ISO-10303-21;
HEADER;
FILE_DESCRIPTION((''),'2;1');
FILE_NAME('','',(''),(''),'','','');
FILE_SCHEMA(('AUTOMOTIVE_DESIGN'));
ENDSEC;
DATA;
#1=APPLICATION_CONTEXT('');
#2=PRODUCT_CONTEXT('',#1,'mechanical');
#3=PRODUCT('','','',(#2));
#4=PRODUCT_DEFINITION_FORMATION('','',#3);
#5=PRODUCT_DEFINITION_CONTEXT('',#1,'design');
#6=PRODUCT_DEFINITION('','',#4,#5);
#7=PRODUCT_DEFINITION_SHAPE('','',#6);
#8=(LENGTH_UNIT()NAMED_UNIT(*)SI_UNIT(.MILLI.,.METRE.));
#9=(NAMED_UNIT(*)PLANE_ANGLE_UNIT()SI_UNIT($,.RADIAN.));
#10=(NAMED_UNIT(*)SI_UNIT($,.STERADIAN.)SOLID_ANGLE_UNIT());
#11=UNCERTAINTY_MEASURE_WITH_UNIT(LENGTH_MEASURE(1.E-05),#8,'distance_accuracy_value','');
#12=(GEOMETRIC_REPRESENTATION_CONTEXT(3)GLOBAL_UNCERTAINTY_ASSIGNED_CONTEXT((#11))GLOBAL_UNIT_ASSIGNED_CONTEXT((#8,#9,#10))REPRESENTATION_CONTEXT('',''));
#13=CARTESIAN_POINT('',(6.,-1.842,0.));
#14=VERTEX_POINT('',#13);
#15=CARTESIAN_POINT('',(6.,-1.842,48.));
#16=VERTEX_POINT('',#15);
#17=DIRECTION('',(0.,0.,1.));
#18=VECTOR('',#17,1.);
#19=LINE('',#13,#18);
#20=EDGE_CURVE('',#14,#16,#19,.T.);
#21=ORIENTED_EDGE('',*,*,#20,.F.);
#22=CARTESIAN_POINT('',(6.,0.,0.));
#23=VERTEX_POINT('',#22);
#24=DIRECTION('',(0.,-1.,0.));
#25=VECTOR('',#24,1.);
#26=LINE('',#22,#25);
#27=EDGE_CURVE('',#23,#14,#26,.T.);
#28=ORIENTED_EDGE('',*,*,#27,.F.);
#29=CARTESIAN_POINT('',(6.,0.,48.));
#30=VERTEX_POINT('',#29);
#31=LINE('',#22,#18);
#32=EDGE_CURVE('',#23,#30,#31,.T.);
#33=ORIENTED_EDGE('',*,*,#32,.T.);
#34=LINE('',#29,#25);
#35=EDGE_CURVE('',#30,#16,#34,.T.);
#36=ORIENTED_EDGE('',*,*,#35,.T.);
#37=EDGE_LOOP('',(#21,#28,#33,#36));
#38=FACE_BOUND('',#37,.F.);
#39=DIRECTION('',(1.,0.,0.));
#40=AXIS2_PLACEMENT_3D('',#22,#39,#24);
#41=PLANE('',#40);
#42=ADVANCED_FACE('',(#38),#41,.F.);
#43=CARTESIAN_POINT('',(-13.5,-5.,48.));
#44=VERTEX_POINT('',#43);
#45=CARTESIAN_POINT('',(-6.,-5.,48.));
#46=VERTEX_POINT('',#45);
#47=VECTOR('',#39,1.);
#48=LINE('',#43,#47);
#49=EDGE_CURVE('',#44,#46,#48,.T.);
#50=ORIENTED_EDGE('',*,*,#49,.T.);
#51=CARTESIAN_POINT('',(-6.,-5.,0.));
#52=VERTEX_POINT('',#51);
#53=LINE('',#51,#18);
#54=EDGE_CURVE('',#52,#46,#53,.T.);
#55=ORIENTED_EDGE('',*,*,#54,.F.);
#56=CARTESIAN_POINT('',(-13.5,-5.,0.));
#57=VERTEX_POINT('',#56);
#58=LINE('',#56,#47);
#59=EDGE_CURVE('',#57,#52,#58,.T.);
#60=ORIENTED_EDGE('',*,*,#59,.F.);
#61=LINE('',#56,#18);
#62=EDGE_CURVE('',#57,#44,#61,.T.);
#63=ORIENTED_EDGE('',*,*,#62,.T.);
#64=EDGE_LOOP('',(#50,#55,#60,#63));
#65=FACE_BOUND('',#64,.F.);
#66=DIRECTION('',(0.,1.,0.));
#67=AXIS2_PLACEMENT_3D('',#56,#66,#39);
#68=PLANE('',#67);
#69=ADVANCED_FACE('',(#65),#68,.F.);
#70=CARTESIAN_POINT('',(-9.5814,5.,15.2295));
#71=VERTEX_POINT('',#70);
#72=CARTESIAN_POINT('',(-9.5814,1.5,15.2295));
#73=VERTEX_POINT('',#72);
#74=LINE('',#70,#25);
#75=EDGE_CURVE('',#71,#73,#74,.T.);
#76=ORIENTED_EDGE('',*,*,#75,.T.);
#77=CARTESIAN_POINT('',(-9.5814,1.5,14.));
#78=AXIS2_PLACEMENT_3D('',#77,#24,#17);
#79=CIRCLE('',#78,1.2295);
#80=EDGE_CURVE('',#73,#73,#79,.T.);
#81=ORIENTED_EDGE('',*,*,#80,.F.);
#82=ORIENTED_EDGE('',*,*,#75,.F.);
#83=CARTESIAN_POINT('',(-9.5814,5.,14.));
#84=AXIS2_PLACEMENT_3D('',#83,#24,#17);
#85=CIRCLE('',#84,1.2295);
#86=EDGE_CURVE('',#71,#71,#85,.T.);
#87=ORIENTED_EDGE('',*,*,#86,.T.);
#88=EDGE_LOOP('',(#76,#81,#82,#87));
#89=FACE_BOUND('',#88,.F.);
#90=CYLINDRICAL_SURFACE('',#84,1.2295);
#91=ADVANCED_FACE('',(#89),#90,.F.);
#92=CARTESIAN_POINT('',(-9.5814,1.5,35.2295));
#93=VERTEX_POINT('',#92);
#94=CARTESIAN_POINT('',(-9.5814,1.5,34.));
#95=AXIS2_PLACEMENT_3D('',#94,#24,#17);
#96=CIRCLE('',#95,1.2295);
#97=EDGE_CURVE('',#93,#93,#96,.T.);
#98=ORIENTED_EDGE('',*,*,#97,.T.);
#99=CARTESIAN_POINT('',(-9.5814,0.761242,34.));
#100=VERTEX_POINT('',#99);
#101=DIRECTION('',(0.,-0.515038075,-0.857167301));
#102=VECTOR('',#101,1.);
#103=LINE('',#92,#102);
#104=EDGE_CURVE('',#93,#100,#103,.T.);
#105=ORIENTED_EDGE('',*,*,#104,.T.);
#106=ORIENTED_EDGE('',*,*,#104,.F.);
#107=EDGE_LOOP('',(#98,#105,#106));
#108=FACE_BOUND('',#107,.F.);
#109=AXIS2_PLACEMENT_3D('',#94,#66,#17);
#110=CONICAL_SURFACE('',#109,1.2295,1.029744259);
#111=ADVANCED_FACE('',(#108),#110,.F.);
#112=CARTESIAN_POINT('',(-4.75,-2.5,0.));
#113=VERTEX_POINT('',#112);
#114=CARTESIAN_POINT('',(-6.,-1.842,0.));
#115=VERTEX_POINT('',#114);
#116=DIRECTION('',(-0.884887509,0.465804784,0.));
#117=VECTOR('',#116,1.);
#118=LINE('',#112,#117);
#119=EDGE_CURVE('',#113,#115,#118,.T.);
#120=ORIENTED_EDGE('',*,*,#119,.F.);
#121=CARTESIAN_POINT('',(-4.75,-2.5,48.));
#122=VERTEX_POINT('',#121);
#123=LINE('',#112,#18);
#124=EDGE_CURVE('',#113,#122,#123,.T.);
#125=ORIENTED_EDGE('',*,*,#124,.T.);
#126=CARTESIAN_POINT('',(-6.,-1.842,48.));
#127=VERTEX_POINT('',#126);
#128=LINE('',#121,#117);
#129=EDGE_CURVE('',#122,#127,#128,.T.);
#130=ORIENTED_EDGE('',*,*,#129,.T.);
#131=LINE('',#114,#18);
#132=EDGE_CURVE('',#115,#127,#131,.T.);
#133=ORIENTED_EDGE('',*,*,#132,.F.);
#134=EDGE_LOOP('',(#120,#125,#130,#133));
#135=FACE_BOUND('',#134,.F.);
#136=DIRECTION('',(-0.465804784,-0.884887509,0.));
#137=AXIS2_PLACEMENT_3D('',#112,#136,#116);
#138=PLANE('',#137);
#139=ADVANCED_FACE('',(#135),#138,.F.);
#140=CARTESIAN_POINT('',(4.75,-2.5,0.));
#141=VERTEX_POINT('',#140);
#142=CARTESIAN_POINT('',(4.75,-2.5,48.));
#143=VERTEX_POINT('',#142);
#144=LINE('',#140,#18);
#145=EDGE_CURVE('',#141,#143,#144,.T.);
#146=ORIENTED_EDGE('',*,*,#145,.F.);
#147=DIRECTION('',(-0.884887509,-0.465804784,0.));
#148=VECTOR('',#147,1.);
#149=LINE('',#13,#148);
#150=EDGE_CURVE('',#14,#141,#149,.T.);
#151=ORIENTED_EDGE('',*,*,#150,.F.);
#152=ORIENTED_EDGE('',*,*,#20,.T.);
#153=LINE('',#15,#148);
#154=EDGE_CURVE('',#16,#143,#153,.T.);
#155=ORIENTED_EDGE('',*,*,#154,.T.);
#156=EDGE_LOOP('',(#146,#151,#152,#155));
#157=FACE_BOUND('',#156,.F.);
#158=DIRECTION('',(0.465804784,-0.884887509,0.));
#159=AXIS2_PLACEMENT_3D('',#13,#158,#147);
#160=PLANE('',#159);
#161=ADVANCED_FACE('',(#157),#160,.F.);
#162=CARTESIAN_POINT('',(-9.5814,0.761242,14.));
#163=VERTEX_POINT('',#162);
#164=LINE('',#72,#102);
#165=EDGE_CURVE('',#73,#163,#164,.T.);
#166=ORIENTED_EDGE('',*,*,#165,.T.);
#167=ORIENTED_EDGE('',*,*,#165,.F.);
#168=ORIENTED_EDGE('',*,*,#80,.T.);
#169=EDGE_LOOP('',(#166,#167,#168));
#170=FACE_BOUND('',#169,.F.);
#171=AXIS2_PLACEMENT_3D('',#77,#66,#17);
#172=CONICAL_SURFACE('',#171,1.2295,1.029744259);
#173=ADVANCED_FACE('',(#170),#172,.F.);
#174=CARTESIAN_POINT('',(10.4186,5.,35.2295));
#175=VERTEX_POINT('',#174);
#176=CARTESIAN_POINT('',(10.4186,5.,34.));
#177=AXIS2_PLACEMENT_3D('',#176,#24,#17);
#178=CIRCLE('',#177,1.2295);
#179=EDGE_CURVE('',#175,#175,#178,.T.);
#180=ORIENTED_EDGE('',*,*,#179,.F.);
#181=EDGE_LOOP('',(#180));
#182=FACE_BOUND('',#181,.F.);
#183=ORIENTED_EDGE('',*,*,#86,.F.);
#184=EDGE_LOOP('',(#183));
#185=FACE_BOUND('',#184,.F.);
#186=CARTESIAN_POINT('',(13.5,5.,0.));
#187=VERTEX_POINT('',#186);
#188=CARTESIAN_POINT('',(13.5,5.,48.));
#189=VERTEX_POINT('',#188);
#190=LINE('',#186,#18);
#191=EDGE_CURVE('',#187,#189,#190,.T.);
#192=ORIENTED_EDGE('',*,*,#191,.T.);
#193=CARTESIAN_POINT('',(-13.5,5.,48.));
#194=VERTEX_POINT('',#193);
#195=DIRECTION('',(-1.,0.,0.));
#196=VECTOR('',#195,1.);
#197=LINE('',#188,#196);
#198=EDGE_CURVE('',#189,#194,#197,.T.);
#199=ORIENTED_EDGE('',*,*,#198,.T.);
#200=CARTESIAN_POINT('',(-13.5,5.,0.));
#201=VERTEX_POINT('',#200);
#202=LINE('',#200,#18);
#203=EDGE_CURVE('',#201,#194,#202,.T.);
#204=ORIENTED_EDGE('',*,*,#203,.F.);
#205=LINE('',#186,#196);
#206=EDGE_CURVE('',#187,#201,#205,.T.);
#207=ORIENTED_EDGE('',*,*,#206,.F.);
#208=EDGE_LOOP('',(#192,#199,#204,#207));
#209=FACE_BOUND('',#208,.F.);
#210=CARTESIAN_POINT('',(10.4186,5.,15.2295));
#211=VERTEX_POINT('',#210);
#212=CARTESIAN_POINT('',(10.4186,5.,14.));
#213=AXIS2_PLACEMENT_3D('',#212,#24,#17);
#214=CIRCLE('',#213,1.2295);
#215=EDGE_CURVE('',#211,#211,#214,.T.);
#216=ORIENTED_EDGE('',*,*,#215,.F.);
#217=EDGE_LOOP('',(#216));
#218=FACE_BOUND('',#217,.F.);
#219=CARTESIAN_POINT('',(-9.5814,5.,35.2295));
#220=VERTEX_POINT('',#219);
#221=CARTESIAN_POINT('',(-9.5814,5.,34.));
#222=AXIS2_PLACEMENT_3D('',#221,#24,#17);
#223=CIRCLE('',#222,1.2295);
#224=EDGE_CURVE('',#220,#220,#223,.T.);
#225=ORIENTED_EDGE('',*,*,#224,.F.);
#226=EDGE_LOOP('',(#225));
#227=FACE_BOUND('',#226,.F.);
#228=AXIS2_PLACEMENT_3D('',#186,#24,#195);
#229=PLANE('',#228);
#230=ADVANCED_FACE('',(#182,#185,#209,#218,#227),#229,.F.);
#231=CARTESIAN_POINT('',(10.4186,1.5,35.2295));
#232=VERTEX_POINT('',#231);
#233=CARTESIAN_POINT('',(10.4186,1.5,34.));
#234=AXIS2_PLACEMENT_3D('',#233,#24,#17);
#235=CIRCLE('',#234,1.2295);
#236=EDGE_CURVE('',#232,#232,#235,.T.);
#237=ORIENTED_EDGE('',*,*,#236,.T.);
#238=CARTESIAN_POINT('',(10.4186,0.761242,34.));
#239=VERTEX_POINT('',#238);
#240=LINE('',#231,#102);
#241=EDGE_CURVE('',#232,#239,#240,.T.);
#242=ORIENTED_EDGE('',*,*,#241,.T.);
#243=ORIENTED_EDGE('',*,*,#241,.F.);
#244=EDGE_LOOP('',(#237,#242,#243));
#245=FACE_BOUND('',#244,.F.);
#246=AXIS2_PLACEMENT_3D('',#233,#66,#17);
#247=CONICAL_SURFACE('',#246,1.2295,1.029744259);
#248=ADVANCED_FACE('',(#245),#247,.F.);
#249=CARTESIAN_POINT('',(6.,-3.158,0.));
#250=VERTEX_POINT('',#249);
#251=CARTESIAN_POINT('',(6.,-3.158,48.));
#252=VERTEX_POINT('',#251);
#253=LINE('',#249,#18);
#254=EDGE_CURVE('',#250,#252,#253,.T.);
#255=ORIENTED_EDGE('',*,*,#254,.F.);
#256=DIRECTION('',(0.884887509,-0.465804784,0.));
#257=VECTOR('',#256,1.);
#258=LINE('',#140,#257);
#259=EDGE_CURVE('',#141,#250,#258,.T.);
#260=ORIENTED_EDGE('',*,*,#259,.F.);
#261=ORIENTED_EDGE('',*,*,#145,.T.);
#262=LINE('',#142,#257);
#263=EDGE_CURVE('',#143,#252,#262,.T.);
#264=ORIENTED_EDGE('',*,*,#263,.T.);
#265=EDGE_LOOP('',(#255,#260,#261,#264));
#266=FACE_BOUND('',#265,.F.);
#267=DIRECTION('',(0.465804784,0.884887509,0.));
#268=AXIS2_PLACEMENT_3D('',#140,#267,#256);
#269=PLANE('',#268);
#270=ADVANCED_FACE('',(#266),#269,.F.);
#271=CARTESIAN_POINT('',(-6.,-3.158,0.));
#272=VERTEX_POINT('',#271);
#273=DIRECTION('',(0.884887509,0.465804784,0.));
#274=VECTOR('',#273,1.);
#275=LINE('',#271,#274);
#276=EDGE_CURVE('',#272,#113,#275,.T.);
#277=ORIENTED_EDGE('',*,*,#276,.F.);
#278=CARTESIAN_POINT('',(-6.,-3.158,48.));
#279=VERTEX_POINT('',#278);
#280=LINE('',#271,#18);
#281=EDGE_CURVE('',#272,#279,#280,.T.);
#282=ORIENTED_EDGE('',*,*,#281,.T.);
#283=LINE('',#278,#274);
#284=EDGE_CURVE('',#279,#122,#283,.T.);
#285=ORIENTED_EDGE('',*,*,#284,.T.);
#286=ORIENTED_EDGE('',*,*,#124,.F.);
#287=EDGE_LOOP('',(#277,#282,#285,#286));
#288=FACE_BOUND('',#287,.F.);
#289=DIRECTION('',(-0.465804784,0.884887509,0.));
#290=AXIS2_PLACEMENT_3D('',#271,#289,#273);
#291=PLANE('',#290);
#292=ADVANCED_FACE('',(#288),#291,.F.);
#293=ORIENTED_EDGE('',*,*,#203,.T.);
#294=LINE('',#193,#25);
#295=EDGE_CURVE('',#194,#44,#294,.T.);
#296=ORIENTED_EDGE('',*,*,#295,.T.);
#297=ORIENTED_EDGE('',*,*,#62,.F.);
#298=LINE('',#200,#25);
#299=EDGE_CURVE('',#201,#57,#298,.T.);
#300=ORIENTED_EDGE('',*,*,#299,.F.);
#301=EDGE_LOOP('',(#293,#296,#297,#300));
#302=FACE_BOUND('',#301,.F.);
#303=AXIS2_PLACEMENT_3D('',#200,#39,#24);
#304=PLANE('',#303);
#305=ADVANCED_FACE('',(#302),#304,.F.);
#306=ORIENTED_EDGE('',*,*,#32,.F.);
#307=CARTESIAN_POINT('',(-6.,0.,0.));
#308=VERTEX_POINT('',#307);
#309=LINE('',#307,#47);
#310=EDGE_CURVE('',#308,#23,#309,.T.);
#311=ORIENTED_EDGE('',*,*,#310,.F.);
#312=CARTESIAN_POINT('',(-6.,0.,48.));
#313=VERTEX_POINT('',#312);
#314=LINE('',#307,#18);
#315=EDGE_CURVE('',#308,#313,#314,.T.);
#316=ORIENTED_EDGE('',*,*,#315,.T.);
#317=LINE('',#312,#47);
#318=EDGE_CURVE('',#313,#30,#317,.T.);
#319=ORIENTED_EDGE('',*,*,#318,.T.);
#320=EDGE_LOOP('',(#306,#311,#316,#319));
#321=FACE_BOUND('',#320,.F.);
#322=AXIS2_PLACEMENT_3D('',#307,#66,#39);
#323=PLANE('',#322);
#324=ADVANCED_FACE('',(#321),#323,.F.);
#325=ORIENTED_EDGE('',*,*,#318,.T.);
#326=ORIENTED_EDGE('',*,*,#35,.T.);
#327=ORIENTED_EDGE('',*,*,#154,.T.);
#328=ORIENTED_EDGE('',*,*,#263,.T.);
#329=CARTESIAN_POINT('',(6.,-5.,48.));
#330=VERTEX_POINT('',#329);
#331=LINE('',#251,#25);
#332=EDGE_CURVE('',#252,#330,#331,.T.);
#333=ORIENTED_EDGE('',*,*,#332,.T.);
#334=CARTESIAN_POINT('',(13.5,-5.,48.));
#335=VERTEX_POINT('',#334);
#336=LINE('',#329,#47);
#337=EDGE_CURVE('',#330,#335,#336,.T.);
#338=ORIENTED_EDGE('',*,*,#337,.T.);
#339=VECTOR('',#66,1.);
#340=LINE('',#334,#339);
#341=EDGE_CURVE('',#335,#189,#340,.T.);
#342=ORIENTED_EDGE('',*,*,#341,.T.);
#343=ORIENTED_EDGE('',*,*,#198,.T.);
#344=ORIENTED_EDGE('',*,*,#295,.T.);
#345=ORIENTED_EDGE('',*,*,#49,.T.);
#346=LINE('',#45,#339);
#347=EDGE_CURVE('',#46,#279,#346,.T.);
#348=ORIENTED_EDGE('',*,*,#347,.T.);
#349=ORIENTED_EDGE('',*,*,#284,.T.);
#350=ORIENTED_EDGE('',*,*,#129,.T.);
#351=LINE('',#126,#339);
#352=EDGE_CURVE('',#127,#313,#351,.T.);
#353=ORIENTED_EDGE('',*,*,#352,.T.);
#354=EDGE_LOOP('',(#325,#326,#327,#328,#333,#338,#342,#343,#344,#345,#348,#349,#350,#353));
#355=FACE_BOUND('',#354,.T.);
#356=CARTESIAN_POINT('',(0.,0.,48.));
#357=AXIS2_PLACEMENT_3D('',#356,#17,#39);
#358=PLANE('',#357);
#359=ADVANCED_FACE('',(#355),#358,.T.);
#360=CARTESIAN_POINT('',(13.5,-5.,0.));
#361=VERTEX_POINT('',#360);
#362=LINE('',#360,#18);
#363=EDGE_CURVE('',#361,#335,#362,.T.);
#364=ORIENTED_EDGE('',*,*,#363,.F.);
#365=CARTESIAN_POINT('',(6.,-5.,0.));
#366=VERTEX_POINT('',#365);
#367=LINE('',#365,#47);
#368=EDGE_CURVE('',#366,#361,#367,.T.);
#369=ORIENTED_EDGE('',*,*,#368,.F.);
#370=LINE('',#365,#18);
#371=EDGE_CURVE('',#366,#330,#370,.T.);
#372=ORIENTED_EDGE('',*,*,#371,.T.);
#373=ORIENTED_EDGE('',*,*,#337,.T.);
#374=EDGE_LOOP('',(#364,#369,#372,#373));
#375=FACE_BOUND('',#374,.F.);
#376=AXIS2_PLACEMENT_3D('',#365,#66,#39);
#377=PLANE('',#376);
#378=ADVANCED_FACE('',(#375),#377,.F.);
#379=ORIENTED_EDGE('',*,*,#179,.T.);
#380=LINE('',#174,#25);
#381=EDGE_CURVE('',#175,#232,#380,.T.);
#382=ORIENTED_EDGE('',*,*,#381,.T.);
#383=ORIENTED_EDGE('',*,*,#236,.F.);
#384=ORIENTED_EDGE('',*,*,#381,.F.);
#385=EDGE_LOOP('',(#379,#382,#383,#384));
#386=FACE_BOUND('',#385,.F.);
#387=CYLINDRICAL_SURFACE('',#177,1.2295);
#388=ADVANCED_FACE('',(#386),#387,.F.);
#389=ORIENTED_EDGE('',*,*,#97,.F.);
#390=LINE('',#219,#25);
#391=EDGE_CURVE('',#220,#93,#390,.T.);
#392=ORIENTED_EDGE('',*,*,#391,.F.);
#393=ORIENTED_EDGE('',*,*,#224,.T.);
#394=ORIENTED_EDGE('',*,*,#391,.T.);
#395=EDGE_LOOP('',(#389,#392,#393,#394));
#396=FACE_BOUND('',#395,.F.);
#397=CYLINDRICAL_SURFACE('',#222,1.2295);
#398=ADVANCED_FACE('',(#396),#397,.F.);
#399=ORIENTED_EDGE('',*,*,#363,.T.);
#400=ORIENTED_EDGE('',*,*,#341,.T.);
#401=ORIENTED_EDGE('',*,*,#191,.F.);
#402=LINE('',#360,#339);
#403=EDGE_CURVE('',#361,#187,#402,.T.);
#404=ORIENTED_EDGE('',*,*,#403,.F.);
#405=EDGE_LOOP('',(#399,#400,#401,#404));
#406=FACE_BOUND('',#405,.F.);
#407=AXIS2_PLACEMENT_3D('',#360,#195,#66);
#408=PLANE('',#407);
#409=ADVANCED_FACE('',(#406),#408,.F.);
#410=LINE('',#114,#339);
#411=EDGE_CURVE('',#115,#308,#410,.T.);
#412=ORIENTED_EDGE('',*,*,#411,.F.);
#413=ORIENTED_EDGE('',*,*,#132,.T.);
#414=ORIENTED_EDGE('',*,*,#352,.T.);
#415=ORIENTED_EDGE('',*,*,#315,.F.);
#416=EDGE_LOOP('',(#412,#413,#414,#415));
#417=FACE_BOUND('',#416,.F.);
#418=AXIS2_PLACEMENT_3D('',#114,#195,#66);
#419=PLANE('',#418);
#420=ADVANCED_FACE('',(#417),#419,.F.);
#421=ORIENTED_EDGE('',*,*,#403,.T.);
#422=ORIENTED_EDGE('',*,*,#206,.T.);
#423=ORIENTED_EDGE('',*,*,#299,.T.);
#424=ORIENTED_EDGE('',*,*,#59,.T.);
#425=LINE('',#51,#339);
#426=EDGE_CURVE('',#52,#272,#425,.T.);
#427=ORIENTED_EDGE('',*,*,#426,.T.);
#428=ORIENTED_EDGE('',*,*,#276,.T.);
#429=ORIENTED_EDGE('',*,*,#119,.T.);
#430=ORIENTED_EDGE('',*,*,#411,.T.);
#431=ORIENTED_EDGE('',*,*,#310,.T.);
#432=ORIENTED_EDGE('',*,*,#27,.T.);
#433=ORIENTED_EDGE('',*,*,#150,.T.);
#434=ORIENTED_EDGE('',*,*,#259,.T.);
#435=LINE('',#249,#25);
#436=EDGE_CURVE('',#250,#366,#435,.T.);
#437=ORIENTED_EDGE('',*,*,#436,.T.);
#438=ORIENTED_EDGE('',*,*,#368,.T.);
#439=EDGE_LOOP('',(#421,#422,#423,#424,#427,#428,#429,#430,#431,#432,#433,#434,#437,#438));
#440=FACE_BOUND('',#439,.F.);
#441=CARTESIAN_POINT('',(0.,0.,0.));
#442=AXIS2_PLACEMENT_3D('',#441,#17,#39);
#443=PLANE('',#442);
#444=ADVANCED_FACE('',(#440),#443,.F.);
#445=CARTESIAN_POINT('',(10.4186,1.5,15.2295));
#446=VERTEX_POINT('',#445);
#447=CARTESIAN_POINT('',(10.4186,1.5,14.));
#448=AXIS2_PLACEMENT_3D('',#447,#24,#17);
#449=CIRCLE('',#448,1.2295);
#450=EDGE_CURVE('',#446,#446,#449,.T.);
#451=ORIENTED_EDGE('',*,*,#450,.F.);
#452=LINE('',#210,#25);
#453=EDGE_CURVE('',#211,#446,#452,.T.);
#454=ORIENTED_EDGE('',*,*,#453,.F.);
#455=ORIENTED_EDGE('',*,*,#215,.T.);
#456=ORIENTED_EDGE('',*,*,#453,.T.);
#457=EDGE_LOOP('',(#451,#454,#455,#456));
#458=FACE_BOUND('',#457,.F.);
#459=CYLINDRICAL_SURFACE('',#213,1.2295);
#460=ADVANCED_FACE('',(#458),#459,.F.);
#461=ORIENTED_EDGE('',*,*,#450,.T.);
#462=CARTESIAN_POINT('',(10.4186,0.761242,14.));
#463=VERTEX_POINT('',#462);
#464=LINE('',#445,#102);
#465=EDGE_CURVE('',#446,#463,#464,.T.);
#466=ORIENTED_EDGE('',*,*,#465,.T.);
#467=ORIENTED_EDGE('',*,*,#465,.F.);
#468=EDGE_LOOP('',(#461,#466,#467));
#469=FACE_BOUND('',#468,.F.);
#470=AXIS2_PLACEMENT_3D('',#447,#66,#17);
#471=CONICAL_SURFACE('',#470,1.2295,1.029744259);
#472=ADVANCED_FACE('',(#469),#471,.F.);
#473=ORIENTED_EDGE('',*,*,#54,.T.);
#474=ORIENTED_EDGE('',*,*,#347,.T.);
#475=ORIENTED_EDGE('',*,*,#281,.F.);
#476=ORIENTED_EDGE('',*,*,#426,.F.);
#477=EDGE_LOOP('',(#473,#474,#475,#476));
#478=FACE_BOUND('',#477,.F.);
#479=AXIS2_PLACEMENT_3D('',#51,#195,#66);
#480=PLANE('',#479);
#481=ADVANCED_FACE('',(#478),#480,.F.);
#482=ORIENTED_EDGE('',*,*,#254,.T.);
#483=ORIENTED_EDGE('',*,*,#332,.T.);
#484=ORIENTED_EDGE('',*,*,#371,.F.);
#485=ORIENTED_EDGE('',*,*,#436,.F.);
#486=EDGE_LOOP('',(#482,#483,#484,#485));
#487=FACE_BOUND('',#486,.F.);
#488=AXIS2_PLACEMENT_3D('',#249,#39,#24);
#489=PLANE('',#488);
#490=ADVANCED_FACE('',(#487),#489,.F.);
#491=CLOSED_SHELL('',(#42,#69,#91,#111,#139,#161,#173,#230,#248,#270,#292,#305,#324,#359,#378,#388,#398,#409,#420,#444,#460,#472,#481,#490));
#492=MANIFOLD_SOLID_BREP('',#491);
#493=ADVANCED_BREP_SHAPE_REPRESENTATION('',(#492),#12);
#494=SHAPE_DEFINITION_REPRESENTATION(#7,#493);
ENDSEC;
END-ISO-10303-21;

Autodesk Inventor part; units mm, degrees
ref_plane "YZ Plane" through (0, 0, 0) normal (1, 0, 0) x (0, 1, 0)
ref_plane "XZ Plane" through (0, 0, 0) normal (0, 1, 0) x (-1, 0, 0)
ref_plane "XY Plane" through (0, 0, 0) normal (0, 0, 1) x (1, 0, 0)
sketch "Sketch1" plane through (0, 0, 0) normal (0, 0, 1) x (1, 0, 0)
  line L0 (13.5, 5) -> (-13.5, 5)
  line L1 (-13.5, 5) -> (-13.5, -5)
  line L2 (13.5, -5) -> (13.5, 5)
  line L3 (13.5, 5) -> (-13.5, -5) construction
  line L4 (-13.5, 5) -> (13.5, -5) construction
  line L5 (-6, -5) -> (-6, -3.158)
  line L6 (-6, -3.158) -> (-4.75, -2.5)
  line L7 (-4.75, -2.5) -> (-6, -1.842)
  line L8 (-6, -1.842) -> (-6, 0)
  line L9 (-6, 0) -> (6, 0)
  line L10 (6, 0) -> (6, -1.842)
  line L11 (6, -1.842) -> (4.75, -2.5)
  line L12 (4.75, -2.5) -> (6, -3.158)
  line L13 (6, -3.158) -> (6, -5)
  line L14 (-13.5, -5) -> (-6, -5)
  line L15 (6, -5) -> (13.5, -5)
  point P0 (0, 0)
  dimension "d0" = 27
  dimension "d1" = 10
  dimension "d2" = 5
  dimension "d3" = 9.5
  dimension "d4" = 7.5
  dimension "d5" = 5
  dimension "d17" = 12
extrude "Extrusion1" add sketch "Sketch1" along normal blind 48
sketch "Sketch2" plane through (-13.5, 5, 0) normal (0, 1, 0) x (1, 0, 0)
  line L0 (23.9186, -34) -> (3.9186, -34) construction
  line L1 (3.9186, -34) -> (3.9186, -14) construction
  line L2 (3.9186, -14) -> (23.9186, -14) construction
  line L3 (23.9186, -14) -> (23.9186, -34) construction
  line L4 (23.9186, -34) -> (3.9186, -14) construction
  line L5 (3.9186, -34) -> (23.9186, -14) construction
  point P0 (13.5, 0)
  point P1 (13.9186, -24)
  dimension "d8" = 20
  dimension "d9" = 20
hole "Hole1" at (-9.5814, 5, 34) at (-9.5814, 5, 14) at (10.4186, 5, 14) at (10.4186, 5, 34) direction (0, -1, 0) diameter 2.459 depth 3.5 tip angle 118 thread size "M3x0.5" class "6H" standard "ANSI Metric M Profile"
properties part number "slide"
